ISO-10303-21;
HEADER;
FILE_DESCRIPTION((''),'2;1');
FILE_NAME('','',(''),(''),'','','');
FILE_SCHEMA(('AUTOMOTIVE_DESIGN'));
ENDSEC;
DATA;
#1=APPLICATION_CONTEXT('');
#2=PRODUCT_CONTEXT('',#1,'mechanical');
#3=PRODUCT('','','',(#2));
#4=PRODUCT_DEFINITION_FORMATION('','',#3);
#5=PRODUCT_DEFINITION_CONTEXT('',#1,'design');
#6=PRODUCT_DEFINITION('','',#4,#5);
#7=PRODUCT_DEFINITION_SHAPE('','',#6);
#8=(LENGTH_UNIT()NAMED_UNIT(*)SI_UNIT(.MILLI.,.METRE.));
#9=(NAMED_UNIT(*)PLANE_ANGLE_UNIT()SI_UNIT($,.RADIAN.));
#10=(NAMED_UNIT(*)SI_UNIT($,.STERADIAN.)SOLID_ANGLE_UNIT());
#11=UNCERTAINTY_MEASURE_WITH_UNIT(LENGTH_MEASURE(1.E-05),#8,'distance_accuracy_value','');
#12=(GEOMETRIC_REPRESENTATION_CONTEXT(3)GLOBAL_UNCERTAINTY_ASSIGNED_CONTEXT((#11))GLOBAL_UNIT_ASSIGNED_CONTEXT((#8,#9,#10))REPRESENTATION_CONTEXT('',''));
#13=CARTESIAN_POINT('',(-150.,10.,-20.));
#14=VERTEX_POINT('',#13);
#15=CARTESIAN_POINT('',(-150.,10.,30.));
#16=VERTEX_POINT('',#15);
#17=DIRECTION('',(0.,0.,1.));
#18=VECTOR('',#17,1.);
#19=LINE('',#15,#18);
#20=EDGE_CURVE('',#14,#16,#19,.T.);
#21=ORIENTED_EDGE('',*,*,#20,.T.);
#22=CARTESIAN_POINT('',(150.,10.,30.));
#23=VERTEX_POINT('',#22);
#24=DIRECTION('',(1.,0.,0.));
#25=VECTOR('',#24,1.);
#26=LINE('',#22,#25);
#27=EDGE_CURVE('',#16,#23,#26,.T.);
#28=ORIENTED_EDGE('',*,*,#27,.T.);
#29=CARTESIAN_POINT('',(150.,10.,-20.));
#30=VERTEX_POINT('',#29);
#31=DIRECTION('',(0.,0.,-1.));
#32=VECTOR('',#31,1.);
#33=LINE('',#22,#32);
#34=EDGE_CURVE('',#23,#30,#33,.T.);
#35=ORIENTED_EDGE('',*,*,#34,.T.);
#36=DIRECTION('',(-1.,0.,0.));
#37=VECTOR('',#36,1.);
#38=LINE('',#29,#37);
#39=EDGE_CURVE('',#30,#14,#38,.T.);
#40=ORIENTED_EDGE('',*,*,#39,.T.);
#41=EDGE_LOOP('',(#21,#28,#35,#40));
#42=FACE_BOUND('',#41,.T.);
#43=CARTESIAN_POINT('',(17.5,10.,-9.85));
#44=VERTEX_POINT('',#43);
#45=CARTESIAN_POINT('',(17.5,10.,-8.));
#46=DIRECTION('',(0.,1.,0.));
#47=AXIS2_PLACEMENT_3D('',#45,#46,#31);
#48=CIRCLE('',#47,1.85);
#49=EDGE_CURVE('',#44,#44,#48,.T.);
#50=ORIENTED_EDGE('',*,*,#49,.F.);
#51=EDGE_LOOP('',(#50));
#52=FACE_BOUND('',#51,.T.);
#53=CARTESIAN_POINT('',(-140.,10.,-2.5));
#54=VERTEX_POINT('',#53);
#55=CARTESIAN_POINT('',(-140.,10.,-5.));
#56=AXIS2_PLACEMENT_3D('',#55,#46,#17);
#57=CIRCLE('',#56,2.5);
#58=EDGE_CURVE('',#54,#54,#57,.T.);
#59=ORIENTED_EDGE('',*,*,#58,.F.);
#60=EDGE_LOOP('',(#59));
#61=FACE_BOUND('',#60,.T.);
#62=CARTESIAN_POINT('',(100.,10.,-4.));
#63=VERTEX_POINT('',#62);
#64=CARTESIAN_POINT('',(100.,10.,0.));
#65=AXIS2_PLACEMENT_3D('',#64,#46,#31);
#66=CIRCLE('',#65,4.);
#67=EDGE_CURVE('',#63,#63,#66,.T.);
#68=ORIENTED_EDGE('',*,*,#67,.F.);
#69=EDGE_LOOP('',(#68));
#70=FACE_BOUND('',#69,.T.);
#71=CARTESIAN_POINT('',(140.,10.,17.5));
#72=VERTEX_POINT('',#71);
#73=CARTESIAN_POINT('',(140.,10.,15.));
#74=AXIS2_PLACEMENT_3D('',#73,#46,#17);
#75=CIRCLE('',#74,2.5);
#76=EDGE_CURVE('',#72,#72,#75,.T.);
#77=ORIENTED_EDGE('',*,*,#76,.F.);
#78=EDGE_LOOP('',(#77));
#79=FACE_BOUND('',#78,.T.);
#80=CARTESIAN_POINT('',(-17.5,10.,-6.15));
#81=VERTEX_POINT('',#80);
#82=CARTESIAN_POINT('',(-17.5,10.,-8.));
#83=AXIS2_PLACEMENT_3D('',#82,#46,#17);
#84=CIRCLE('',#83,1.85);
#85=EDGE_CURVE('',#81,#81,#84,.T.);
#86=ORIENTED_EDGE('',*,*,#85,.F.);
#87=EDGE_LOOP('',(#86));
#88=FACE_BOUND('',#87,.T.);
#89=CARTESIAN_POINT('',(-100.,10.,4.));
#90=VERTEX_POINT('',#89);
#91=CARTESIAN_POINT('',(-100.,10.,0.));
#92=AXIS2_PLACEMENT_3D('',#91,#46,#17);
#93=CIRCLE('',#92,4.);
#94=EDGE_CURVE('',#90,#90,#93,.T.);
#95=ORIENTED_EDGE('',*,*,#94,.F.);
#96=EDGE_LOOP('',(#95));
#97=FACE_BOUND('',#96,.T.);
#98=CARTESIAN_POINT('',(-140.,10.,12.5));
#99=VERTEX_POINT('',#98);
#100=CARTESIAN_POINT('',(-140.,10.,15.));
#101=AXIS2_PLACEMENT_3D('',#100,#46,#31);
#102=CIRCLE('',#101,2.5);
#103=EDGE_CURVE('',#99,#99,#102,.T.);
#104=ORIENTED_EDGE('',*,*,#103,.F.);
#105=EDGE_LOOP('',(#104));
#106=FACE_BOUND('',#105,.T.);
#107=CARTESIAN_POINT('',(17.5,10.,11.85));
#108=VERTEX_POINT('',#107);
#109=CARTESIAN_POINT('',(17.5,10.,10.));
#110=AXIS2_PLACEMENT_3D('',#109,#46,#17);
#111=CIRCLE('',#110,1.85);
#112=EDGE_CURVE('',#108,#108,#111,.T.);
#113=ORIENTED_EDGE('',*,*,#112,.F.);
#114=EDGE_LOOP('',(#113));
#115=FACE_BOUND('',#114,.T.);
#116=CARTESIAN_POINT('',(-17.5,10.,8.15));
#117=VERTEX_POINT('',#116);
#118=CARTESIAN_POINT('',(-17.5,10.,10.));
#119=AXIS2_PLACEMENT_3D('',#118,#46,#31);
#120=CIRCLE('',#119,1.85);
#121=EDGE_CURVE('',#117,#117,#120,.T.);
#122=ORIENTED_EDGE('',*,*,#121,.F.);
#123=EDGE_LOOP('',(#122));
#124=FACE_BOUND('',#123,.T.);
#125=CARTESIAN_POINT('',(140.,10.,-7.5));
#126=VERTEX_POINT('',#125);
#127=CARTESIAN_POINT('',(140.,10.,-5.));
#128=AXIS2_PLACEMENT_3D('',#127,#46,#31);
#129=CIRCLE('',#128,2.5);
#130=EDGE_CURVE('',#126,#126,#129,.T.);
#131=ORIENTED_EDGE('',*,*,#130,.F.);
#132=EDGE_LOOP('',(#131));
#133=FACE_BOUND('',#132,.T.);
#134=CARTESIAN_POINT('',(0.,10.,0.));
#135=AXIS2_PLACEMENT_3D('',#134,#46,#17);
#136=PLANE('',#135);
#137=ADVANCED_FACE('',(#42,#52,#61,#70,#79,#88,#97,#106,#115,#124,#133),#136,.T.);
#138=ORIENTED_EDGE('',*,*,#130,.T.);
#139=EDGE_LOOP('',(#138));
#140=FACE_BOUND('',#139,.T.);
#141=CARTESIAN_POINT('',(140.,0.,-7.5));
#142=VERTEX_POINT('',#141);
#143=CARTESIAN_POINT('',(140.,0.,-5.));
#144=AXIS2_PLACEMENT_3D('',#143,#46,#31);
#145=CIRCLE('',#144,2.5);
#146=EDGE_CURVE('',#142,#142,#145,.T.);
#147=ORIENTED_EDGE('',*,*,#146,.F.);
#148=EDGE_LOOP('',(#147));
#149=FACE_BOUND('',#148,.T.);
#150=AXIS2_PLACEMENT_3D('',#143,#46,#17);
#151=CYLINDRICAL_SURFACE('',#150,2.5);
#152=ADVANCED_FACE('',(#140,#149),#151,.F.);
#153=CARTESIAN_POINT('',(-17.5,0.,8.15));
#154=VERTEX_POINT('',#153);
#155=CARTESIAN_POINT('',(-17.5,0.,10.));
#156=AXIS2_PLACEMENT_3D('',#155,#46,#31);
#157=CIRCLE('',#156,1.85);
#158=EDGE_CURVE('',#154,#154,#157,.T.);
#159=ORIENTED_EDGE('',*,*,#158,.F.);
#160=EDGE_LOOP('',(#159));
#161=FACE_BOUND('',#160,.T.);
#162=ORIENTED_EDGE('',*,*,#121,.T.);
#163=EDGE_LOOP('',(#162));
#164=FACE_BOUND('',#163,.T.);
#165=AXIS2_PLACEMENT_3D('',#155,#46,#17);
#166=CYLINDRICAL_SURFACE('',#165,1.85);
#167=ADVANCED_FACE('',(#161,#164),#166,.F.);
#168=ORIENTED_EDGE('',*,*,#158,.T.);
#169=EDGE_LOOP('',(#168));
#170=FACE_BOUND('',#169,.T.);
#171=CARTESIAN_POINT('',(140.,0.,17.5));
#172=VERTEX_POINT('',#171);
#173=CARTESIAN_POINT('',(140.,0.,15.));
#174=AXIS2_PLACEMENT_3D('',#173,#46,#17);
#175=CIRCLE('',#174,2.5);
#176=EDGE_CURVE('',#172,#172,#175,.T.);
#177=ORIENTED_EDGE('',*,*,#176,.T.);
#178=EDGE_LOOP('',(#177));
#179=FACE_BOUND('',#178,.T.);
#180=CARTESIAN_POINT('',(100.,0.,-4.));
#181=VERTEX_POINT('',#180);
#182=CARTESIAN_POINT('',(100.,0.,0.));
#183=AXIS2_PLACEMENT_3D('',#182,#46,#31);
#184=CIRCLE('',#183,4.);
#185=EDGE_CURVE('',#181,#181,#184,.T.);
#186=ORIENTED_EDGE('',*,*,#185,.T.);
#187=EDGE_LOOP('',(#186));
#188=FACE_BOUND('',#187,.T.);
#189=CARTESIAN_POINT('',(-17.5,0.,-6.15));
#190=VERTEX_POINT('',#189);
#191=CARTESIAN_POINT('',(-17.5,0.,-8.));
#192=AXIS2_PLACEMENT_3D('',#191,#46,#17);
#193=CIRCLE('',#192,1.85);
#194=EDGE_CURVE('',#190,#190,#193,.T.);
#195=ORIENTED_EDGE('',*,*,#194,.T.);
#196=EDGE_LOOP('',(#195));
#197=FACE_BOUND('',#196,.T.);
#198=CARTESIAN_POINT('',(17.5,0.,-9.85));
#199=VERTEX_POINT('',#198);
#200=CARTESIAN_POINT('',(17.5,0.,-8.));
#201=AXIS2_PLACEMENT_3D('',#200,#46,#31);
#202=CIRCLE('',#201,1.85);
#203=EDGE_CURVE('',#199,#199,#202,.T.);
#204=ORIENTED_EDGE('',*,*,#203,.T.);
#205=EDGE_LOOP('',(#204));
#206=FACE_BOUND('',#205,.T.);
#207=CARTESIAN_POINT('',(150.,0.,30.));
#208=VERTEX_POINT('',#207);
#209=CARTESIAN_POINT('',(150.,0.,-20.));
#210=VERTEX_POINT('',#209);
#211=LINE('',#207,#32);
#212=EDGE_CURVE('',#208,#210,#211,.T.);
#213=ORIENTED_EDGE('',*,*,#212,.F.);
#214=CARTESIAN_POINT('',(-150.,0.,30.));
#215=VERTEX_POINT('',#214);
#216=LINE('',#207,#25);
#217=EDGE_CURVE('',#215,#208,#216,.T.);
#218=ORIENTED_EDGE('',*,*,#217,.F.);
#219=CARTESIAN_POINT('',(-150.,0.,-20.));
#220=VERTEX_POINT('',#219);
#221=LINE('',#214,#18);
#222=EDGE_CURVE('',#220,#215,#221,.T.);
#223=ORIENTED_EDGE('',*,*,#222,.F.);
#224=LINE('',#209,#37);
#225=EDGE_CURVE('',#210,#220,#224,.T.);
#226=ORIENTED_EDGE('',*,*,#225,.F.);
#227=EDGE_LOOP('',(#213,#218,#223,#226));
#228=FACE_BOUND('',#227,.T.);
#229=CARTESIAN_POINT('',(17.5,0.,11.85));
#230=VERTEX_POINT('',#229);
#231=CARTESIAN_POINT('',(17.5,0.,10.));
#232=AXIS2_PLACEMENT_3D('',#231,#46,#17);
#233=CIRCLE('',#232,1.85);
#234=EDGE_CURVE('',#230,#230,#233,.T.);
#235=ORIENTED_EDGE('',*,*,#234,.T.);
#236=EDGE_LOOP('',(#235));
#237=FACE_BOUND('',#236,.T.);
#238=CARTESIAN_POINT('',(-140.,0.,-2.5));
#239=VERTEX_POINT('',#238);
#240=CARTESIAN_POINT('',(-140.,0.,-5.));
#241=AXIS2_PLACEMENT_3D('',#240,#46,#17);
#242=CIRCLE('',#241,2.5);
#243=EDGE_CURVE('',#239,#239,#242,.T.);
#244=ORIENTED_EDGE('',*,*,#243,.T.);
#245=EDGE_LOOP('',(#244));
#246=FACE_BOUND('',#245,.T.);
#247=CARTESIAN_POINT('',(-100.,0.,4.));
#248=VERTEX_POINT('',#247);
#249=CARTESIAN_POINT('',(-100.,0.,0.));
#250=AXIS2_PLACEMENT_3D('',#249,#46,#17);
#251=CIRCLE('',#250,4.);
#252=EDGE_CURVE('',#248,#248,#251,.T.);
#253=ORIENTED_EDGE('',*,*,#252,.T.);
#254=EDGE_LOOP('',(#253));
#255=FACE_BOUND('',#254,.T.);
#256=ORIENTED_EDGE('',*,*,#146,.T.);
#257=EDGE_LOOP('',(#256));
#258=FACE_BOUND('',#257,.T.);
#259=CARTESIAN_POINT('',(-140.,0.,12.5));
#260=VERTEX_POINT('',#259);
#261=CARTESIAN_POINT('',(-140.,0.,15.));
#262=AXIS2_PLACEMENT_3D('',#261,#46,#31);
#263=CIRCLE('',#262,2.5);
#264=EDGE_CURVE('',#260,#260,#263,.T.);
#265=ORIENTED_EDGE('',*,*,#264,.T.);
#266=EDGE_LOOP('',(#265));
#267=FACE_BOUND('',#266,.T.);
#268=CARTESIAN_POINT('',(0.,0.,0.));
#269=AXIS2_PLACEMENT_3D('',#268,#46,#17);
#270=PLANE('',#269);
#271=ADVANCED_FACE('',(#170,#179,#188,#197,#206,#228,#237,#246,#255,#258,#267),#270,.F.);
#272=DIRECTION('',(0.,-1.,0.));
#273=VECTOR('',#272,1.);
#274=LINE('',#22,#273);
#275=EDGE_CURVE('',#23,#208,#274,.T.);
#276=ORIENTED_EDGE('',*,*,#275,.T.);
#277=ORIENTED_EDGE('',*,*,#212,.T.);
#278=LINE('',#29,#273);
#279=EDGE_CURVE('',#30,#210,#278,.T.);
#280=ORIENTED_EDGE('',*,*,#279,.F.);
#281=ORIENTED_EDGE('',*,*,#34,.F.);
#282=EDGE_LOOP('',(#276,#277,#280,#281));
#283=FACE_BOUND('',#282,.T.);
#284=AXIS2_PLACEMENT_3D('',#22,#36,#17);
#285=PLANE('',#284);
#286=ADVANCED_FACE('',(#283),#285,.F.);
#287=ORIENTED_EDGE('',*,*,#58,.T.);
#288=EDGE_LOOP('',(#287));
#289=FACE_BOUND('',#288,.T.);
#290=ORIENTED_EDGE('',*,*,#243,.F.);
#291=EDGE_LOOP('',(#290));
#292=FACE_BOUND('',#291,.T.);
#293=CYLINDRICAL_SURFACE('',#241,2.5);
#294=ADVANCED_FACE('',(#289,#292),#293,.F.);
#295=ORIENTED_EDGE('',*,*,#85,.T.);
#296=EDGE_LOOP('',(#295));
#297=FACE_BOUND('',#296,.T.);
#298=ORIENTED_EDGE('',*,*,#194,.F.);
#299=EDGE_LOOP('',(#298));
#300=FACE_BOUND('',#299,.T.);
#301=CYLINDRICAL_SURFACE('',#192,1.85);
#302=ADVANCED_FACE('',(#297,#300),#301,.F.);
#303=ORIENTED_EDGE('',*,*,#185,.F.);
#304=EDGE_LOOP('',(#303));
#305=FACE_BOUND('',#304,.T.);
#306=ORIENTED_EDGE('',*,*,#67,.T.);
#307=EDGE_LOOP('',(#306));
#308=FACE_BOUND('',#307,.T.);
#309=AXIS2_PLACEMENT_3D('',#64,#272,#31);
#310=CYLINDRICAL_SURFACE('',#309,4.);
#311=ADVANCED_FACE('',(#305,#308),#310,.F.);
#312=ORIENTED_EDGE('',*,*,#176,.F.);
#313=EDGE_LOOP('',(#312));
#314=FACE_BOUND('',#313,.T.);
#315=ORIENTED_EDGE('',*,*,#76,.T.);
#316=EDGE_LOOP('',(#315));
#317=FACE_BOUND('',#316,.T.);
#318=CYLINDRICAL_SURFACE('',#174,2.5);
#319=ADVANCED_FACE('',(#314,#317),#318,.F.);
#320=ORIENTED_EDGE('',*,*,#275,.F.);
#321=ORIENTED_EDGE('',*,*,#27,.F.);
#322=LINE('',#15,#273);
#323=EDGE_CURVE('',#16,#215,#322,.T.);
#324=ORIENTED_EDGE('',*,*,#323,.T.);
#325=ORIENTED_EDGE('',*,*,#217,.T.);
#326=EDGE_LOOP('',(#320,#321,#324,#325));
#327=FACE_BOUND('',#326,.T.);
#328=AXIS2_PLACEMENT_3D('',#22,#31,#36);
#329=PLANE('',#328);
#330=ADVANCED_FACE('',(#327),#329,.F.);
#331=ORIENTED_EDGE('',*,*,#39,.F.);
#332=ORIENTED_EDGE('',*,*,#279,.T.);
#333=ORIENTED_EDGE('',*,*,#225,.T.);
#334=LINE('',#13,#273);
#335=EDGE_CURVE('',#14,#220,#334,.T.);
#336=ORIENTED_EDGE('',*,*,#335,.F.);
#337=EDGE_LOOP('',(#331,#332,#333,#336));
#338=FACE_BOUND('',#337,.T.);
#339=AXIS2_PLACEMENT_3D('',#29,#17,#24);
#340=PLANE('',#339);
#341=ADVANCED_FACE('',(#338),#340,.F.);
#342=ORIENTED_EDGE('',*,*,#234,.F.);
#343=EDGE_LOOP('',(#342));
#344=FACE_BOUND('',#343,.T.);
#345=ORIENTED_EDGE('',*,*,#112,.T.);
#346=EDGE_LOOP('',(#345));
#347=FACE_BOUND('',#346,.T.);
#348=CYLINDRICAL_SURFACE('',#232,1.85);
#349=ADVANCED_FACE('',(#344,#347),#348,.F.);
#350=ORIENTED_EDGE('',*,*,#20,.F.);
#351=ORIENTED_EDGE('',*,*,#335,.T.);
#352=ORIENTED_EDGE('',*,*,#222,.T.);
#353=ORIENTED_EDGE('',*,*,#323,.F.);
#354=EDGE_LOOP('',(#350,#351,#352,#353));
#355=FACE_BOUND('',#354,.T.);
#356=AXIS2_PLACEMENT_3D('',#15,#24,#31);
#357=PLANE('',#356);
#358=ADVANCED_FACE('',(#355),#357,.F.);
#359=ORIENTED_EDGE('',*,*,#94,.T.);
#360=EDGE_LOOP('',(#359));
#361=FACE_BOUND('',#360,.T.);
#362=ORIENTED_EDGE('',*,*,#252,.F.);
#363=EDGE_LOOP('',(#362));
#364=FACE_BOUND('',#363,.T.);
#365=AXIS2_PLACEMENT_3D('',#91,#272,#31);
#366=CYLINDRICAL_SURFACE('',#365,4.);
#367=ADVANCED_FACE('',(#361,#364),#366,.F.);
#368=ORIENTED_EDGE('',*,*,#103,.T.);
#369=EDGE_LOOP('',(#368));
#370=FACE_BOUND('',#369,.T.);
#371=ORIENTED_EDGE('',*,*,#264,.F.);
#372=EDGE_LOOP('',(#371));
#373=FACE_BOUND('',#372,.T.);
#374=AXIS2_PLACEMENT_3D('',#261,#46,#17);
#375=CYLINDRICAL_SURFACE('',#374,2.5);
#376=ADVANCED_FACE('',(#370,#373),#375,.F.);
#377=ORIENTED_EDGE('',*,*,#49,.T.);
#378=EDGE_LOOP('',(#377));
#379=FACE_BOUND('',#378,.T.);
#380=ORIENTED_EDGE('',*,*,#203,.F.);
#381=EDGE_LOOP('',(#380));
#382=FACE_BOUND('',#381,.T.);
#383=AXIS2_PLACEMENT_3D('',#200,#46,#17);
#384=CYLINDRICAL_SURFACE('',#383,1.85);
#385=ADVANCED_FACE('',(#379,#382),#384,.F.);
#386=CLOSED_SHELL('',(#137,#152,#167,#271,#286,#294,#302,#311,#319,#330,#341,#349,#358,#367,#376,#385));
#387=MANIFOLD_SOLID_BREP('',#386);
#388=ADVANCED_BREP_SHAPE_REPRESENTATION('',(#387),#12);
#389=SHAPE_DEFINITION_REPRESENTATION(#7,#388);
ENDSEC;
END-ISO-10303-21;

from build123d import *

# Parameters (mm, degrees)
SKETCH1_W           = 300
SKETCH1_H           = 50
SKETCH1_R           = 4
MAIN_DEPTH          = 10
SKETCH4_R           = 2.5
MOUNT_DEPTH         = 11
SKETCH3_R           = 1.85
BEARING_MOUNT_DEPTH = 11


with BuildPart() as part:
    # Sketch1 → main (new body)
    with BuildSketch(Plane(origin=(0, 0, 0), x_dir=(1, 0, 0), z_dir=(0, 1, 0))):
        with Locations((0, -5)):
            Rectangle(SKETCH1_W, SKETCH1_H)
        with Locations((-100, 0)):
            Circle(SKETCH1_R, mode=Mode.SUBTRACT)
        with Locations((100, 0)):
            Circle(SKETCH1_R, mode=Mode.SUBTRACT)
    extrude(amount=MAIN_DEPTH)

    # Sketch4 → mount (cut, through all)
    with BuildSketch(Plane(origin=(0, 10, 0), x_dir=(1, 0, 0), z_dir=(0, 1, 0))):
        with Locations((-140, 5)):
            Circle(SKETCH4_R)
        with Locations((-140, -15)):
            Circle(SKETCH4_R)
        with Locations((140, -15)):
            Circle(SKETCH4_R)
        with Locations((140, 5)):
            Circle(SKETCH4_R)
    extrude(amount=-MOUNT_DEPTH, mode=Mode.SUBTRACT)

    # Sketch3 → bearing_mount (cut, through all)
    with BuildSketch(Plane(origin=(0, 10, 0), x_dir=(1, 0, 0), z_dir=(0, 1, 0))):
        with Locations((-17.5, 8)):
            Circle(SKETCH3_R)
        with Locations((17.5, 8)):
            Circle(SKETCH3_R)
        with Locations((-17.5, -10)):
            Circle(SKETCH3_R)
        with Locations((17.5, -10)):
            Circle(SKETCH3_R)
    extrude(amount=-BEARING_MOUNT_DEPTH, mode=Mode.SUBTRACT)


solid = part.part
